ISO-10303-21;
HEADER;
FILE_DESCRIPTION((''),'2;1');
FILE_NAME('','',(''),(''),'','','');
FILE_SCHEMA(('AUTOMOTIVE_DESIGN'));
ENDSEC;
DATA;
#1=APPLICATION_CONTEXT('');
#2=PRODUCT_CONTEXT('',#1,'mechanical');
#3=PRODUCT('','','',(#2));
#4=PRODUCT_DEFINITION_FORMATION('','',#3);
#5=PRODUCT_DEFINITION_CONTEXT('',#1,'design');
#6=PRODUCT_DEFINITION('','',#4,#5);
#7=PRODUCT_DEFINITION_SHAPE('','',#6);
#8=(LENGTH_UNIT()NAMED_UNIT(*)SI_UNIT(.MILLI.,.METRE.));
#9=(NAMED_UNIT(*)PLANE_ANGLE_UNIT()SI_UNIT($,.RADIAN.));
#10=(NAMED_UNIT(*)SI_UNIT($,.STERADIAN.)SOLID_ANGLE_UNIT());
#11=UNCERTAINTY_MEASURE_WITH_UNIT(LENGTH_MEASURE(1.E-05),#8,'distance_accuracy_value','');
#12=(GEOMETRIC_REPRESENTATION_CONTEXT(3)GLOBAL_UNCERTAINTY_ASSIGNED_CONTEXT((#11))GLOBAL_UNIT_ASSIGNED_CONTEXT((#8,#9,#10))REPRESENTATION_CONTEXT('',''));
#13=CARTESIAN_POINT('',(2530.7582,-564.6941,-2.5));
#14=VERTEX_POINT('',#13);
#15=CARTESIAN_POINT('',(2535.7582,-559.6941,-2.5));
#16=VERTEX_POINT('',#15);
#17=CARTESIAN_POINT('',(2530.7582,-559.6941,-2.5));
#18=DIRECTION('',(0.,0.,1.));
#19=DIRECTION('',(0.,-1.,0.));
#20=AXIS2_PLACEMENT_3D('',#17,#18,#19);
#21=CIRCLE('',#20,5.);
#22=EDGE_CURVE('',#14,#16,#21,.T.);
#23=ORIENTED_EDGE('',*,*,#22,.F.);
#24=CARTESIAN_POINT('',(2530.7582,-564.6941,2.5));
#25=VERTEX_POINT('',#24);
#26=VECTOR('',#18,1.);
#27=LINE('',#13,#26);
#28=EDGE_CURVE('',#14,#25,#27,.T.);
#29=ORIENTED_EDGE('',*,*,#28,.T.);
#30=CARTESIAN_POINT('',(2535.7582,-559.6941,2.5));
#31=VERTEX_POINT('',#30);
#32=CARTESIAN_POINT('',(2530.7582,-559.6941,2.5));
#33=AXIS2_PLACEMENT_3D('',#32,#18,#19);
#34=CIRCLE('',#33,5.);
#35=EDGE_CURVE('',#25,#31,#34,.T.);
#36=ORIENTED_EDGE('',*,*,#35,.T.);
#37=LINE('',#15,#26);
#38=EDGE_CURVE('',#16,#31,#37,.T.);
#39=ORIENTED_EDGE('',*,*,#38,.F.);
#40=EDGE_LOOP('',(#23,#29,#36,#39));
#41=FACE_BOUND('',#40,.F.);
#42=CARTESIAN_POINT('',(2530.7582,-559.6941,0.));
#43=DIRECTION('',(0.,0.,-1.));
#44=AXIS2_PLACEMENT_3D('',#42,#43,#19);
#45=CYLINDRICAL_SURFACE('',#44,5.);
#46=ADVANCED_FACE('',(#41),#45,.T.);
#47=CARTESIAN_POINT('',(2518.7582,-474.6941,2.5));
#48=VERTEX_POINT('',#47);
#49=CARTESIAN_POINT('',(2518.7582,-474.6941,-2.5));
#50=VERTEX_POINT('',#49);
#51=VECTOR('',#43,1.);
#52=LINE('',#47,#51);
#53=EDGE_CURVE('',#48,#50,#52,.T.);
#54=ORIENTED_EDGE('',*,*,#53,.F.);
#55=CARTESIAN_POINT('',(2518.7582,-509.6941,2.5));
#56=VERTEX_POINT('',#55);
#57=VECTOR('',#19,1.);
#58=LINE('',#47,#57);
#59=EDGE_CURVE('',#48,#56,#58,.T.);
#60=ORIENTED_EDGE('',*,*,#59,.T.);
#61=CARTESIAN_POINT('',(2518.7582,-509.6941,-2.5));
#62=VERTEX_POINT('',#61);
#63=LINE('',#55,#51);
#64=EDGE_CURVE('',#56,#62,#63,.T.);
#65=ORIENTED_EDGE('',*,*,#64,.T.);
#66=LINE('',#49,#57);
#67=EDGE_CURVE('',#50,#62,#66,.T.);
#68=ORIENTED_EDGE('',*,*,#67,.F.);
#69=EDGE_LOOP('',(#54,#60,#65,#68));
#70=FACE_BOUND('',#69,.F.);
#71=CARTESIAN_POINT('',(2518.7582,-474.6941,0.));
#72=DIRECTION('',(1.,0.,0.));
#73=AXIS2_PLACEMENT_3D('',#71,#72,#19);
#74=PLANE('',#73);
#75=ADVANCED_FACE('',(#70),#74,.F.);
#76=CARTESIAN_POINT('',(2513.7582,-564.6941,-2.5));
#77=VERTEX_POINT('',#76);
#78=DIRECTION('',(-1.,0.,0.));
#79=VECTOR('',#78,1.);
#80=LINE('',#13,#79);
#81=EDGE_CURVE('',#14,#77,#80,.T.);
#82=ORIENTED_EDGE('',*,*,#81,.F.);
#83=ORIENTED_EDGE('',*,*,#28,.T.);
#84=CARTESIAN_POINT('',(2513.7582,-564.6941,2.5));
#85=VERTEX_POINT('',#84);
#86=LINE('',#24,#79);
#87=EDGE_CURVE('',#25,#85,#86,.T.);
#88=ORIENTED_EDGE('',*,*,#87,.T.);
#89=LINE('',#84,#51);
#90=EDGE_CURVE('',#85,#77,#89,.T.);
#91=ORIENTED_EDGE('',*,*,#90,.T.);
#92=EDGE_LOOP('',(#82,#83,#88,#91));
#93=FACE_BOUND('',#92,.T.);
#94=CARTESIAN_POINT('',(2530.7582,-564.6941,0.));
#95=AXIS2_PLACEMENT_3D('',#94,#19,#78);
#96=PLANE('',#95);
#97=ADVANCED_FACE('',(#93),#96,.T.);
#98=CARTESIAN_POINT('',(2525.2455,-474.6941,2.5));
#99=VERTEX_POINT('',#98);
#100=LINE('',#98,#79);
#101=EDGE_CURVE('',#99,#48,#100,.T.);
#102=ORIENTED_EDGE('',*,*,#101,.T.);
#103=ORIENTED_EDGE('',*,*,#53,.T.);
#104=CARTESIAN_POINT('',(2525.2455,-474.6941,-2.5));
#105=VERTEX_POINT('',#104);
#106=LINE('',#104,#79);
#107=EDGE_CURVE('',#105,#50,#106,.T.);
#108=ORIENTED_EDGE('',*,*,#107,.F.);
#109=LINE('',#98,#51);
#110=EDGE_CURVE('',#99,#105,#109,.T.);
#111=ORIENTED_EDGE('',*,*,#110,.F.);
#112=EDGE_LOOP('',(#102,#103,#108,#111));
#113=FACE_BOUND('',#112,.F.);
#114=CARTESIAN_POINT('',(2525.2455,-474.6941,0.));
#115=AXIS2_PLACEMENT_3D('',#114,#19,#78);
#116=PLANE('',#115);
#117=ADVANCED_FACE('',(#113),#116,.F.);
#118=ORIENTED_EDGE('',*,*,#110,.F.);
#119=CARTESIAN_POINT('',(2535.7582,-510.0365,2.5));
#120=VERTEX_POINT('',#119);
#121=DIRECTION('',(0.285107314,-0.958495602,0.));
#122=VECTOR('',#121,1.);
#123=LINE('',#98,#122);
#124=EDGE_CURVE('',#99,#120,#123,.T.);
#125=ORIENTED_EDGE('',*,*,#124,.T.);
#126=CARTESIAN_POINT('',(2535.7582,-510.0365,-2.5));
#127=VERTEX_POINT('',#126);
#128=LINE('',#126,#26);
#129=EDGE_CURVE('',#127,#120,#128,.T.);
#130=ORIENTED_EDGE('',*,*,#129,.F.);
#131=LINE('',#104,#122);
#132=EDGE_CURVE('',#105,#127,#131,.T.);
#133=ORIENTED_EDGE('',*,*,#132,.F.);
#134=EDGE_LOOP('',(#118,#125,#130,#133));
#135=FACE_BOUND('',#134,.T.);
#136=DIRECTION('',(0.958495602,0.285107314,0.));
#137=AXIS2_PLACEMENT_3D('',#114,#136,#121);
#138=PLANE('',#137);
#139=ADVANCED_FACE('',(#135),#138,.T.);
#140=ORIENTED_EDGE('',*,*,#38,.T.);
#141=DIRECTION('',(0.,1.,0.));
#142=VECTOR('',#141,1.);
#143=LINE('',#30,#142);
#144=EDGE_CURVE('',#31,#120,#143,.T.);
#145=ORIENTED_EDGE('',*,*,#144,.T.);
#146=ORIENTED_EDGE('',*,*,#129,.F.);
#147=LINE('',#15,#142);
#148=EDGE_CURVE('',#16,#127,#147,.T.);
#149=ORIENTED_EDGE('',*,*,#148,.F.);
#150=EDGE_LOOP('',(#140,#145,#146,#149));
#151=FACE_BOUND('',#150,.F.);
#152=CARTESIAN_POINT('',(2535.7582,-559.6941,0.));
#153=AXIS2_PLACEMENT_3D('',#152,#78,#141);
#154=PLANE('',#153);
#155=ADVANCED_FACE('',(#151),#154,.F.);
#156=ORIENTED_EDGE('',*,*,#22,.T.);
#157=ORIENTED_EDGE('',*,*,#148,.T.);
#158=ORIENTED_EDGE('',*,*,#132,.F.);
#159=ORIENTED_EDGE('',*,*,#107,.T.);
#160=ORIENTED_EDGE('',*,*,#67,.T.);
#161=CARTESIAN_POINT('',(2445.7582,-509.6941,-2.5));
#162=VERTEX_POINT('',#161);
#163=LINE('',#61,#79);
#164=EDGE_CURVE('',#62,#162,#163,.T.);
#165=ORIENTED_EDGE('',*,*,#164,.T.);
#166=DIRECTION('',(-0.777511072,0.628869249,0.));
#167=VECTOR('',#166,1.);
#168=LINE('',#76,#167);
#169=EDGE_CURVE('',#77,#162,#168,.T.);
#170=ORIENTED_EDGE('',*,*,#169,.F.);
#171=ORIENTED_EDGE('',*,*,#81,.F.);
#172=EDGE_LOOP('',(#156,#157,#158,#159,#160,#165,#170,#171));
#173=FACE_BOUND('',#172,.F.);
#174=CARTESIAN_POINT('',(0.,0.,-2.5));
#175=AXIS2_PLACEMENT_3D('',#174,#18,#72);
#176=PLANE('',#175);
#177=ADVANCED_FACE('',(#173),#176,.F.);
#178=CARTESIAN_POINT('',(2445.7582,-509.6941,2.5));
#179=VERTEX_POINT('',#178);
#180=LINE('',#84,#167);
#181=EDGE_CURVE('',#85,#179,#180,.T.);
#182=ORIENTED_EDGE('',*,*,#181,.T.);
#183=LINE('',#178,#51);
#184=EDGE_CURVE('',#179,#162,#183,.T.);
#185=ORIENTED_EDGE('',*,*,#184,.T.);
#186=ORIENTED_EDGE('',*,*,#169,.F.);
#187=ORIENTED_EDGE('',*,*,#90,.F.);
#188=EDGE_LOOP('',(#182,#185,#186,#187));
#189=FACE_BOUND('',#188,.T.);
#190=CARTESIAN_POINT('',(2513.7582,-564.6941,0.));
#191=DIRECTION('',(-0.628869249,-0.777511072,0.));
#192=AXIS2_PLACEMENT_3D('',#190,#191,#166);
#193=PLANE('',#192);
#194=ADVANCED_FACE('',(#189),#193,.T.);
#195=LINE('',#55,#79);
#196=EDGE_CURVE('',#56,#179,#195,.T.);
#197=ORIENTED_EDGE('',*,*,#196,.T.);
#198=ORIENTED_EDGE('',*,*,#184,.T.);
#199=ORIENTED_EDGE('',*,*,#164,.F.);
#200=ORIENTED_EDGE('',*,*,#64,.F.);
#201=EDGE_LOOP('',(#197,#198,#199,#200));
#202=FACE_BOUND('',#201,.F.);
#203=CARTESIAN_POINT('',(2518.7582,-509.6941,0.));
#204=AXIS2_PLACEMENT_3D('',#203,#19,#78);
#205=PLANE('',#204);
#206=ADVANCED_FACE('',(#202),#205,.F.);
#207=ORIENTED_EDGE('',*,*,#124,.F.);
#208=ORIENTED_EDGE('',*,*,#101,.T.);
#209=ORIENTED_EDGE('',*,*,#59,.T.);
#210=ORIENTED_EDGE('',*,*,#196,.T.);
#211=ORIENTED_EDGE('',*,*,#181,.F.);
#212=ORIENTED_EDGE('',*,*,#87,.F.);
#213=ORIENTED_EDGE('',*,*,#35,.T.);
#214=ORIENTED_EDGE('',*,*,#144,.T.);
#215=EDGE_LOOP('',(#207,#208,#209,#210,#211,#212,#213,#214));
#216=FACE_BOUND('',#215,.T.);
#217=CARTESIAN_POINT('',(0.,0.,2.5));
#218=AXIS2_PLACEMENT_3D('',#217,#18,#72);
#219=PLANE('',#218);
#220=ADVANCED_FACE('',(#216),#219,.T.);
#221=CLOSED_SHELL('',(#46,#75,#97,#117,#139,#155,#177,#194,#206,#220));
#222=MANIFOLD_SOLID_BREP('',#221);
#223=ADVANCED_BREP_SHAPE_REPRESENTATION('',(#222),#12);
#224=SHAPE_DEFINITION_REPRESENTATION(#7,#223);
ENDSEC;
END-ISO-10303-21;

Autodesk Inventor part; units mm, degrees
ref_plane "YZ Plane" through (0, 0, 0) normal (1, 0, 0) x (0, 1, 0)
ref_plane "XZ Plane" through (0, 0, 0) normal (0, 1, 0) x (-1, 0, 0)
ref_plane "XY Plane" through (0, 0, 0) normal (0, 0, 1) x (1, 0, 0)
sketch "Sketch1" plane through (0, 0, 0) normal (0, 0, 1) x (1, 0, 0)
  line L0 (2530.7582, -564.6941) -> (2513.7582, -564.6941)
  line L1 (2513.7582, -564.6941) -> (2445.7582, -509.6941)
  line L2 (2518.7582, -474.6941) -> (2518.7582, -509.6941)
  line L3 (2518.7582, -509.6941) -> (2445.7582, -509.6941)
  line L4 (2525.2455, -474.6941) -> (2535.7582, -510.0365)
  arc A0 (2530.7582, -564.6941) -> (2535.7582, -559.6941) centre (2530.7582, -559.6941) ccw
  line L5 (2525.2455, -474.6941) -> (2518.7582, -474.6941)
  line L6 (2535.7582, -559.6941) -> (2535.7582, -510.0365)
  arc A1 (2530.7582, -564.6941) -> (2535.7582, -559.6941) centre (2530.7582, -559.6941) ccw
  point P0 (0, 0)
  dimension "d2" = 90
extrude "Extrusion1" add sketch "Sketch1" along normal mid plane 5
properties part number "ADSK-MH-10039" material "Steel, Mild"
